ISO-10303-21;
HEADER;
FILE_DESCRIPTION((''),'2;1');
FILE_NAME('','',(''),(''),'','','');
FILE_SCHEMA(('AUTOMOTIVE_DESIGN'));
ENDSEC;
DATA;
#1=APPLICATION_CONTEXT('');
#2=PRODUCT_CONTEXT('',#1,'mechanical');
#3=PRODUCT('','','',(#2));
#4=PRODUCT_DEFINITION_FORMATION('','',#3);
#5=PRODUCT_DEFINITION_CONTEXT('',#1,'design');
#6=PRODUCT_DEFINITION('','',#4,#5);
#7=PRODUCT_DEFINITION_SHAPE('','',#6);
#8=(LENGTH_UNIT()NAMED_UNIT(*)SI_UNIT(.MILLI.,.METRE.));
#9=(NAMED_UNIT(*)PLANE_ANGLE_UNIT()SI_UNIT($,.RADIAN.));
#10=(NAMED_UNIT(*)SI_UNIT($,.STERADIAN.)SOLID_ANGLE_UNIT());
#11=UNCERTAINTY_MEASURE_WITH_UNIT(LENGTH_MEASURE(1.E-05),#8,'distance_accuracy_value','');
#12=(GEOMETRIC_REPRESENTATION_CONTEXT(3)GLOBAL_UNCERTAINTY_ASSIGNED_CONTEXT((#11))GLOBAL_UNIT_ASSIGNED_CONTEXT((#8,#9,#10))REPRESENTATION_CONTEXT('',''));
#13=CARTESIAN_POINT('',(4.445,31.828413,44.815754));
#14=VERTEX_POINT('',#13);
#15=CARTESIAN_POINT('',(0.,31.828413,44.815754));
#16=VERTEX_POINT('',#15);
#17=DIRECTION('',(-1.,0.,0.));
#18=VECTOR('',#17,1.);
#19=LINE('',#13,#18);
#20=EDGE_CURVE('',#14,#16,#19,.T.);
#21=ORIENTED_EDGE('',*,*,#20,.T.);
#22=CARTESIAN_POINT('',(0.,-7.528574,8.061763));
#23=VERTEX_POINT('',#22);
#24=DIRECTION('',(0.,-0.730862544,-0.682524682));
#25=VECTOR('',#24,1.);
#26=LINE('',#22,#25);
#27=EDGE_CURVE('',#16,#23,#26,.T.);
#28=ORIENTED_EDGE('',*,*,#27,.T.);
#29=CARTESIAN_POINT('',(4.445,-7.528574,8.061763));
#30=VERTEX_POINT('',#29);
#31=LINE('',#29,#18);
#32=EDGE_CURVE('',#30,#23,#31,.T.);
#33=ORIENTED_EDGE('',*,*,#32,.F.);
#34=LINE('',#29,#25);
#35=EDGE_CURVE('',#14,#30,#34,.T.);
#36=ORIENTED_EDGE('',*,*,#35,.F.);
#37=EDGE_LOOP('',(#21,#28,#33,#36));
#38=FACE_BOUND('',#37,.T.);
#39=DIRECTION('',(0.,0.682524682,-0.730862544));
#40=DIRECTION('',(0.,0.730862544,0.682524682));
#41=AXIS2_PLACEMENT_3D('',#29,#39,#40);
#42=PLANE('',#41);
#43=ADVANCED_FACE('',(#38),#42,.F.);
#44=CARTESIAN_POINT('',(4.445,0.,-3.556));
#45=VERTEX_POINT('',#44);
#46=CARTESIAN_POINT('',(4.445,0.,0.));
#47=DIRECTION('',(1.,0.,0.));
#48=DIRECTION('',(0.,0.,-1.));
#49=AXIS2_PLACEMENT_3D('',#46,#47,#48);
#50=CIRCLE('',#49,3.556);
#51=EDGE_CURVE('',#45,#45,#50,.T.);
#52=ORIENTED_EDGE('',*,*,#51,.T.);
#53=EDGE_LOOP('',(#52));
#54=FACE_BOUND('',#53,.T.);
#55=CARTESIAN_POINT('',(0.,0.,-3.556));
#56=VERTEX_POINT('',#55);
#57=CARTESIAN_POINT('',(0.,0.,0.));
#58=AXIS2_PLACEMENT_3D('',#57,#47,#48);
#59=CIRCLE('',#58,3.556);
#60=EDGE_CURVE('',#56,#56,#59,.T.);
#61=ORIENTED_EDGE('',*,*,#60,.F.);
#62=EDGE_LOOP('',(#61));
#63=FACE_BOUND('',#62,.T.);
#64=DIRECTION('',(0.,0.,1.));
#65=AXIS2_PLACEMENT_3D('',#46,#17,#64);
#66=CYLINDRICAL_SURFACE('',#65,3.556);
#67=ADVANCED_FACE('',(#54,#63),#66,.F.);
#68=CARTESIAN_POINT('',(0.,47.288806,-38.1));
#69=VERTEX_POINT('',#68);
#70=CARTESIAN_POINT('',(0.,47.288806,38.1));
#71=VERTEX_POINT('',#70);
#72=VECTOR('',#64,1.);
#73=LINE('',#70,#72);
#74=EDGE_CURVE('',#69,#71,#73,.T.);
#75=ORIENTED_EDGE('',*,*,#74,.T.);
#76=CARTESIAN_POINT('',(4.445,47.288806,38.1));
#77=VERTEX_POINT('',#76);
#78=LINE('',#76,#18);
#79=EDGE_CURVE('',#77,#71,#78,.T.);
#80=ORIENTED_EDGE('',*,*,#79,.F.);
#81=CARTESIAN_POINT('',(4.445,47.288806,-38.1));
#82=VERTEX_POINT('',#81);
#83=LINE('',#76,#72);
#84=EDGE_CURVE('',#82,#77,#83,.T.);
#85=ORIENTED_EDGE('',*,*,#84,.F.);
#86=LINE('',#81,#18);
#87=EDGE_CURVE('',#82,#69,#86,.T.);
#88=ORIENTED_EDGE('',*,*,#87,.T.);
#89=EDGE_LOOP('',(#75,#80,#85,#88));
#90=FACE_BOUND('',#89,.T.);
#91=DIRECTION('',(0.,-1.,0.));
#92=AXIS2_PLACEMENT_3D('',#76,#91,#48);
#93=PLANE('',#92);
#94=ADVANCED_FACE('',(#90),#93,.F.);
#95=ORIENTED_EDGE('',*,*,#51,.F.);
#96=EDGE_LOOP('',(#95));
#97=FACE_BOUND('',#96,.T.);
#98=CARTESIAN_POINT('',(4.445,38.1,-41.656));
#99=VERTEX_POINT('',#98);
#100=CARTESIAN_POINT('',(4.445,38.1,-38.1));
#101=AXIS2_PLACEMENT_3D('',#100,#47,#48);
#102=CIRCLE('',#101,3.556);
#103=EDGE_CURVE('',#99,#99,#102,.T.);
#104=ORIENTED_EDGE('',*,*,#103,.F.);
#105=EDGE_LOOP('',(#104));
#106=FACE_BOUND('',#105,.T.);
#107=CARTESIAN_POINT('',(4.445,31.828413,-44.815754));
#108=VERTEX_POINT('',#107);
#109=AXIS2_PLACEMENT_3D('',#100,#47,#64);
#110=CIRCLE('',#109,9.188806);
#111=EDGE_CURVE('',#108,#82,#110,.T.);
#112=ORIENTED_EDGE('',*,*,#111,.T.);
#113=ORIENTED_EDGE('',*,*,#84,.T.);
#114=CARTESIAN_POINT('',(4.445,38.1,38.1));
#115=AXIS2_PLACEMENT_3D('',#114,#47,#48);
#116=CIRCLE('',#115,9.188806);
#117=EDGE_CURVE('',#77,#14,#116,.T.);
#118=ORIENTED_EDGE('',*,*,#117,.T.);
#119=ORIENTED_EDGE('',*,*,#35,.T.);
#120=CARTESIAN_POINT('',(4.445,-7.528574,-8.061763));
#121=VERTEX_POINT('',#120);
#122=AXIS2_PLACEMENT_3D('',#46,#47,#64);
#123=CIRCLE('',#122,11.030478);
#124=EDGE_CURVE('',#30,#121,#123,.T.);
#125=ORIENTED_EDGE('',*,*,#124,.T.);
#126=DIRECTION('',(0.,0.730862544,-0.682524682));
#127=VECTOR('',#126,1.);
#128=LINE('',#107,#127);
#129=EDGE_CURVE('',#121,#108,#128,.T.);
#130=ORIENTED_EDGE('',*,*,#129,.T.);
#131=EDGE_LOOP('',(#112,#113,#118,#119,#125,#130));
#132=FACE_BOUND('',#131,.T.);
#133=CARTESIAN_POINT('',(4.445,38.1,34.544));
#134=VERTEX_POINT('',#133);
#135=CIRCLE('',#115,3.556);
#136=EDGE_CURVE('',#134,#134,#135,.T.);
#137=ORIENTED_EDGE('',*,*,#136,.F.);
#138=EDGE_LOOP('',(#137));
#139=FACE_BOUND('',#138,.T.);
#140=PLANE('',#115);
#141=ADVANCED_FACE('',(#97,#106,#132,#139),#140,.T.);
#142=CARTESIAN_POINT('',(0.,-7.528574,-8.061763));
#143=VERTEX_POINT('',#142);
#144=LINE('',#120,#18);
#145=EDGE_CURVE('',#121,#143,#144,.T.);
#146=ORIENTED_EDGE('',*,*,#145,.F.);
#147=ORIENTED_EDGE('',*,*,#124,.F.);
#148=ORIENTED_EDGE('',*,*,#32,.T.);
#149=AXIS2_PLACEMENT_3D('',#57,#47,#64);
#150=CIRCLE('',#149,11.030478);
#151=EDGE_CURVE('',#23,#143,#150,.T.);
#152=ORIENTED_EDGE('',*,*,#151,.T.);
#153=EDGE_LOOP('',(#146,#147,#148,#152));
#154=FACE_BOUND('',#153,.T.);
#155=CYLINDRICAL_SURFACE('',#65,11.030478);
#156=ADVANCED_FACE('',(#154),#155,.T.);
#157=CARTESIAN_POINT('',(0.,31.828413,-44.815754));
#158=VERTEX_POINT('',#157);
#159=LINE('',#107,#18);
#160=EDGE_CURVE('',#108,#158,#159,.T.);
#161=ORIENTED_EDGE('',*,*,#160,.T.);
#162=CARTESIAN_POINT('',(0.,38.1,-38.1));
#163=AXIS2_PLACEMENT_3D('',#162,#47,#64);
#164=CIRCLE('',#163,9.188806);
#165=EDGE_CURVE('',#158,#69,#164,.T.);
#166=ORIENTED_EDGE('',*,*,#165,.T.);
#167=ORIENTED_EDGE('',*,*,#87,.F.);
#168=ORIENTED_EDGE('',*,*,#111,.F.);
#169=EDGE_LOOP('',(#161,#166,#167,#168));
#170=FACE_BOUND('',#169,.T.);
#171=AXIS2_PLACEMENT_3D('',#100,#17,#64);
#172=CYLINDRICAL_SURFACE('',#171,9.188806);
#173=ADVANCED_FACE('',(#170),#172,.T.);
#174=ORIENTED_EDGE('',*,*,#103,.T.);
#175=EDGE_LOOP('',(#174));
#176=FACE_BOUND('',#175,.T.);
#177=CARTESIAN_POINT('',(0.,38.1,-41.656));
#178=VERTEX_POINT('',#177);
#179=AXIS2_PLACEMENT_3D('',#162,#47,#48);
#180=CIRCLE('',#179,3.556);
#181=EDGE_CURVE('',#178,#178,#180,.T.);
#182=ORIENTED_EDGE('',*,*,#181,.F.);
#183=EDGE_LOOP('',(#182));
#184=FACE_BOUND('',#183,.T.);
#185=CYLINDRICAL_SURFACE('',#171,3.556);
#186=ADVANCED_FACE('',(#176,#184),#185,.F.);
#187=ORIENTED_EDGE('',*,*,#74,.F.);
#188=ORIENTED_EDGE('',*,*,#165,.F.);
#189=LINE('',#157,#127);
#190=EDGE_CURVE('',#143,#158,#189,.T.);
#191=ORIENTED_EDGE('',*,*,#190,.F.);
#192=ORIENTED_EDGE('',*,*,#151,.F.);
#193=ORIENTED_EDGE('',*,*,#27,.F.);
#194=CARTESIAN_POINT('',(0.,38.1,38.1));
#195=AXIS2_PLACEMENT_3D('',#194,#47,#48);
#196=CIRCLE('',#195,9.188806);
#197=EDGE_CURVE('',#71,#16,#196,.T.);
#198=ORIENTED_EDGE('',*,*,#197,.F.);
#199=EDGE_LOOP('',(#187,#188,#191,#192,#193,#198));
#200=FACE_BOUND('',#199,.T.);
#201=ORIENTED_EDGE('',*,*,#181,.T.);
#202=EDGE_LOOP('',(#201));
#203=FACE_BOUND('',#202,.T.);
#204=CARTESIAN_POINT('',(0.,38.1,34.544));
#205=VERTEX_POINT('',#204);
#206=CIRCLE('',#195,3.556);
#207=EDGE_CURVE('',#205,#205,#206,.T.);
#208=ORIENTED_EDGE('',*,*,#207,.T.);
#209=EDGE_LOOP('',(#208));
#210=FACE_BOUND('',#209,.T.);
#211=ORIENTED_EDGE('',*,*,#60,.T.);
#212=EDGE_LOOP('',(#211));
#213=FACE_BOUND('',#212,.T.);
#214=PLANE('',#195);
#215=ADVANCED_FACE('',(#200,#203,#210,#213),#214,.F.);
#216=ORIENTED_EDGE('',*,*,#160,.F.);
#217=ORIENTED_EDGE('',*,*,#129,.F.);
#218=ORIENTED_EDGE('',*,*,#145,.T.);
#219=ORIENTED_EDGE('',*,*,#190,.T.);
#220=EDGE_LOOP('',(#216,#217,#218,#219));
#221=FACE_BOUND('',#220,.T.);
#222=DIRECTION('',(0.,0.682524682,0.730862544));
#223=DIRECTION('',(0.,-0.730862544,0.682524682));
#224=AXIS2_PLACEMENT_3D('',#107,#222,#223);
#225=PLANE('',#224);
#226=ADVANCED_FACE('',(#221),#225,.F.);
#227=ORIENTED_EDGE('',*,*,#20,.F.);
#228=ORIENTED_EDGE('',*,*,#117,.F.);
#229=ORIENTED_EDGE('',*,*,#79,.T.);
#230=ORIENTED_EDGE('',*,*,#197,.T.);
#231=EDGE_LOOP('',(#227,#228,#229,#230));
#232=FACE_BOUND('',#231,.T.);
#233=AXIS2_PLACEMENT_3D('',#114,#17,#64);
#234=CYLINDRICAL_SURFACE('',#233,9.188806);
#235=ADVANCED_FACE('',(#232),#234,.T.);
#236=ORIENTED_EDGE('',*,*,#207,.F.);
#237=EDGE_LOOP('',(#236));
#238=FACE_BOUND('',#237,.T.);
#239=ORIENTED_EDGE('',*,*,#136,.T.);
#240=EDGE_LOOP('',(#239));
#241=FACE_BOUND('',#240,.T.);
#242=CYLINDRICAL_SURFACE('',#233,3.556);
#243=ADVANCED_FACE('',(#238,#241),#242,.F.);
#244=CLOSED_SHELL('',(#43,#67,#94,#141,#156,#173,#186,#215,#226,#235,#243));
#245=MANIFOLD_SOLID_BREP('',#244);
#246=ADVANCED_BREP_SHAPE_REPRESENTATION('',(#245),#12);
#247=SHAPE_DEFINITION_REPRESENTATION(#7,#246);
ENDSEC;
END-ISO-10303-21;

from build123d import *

# Parameters (mm, degrees)
SKETCH1_R           = 3.556
BOSS_EXTRUDE1_DEPTH = 4.445


with BuildPart() as part:
    # Sketch1 → Boss-Extrude1 (new body)
    with BuildSketch(Plane(origin=(0, 0, 0), x_dir=(0, 0, -1), z_dir=(1, 0, 0))):
        with BuildLine():
            Line((-38.1, 47.288805643), (38.1, 47.288805643))
            ThreePointArc((38.1, 47.288805643), (46.5280051, 41.760994289), (44.815753872, 31.828413352))
            Line((44.815753872, 31.828413352), (8.061763365, -7.528573627))
            ThreePointArc((8.061763365, -7.528573627), (0, -11.030478204), (-8.061763365, -7.528573627))
            Line((-8.061763365, -7.528573627), (-44.815753872, 31.828413352))
            ThreePointArc((-44.815753872, 31.828413352), (-46.5280051, 41.760994289), (-38.1, 47.288805643))
        make_face()
        with Locations((-38.1, 38.1)):
            Circle(SKETCH1_R, mode=Mode.SUBTRACT)
        Circle(SKETCH1_R, mode=Mode.SUBTRACT)
        with Locations((38.1, 38.1)):
            Circle(SKETCH1_R, mode=Mode.SUBTRACT)
    extrude(amount=BOSS_EXTRUDE1_DEPTH)


solid = part.part
